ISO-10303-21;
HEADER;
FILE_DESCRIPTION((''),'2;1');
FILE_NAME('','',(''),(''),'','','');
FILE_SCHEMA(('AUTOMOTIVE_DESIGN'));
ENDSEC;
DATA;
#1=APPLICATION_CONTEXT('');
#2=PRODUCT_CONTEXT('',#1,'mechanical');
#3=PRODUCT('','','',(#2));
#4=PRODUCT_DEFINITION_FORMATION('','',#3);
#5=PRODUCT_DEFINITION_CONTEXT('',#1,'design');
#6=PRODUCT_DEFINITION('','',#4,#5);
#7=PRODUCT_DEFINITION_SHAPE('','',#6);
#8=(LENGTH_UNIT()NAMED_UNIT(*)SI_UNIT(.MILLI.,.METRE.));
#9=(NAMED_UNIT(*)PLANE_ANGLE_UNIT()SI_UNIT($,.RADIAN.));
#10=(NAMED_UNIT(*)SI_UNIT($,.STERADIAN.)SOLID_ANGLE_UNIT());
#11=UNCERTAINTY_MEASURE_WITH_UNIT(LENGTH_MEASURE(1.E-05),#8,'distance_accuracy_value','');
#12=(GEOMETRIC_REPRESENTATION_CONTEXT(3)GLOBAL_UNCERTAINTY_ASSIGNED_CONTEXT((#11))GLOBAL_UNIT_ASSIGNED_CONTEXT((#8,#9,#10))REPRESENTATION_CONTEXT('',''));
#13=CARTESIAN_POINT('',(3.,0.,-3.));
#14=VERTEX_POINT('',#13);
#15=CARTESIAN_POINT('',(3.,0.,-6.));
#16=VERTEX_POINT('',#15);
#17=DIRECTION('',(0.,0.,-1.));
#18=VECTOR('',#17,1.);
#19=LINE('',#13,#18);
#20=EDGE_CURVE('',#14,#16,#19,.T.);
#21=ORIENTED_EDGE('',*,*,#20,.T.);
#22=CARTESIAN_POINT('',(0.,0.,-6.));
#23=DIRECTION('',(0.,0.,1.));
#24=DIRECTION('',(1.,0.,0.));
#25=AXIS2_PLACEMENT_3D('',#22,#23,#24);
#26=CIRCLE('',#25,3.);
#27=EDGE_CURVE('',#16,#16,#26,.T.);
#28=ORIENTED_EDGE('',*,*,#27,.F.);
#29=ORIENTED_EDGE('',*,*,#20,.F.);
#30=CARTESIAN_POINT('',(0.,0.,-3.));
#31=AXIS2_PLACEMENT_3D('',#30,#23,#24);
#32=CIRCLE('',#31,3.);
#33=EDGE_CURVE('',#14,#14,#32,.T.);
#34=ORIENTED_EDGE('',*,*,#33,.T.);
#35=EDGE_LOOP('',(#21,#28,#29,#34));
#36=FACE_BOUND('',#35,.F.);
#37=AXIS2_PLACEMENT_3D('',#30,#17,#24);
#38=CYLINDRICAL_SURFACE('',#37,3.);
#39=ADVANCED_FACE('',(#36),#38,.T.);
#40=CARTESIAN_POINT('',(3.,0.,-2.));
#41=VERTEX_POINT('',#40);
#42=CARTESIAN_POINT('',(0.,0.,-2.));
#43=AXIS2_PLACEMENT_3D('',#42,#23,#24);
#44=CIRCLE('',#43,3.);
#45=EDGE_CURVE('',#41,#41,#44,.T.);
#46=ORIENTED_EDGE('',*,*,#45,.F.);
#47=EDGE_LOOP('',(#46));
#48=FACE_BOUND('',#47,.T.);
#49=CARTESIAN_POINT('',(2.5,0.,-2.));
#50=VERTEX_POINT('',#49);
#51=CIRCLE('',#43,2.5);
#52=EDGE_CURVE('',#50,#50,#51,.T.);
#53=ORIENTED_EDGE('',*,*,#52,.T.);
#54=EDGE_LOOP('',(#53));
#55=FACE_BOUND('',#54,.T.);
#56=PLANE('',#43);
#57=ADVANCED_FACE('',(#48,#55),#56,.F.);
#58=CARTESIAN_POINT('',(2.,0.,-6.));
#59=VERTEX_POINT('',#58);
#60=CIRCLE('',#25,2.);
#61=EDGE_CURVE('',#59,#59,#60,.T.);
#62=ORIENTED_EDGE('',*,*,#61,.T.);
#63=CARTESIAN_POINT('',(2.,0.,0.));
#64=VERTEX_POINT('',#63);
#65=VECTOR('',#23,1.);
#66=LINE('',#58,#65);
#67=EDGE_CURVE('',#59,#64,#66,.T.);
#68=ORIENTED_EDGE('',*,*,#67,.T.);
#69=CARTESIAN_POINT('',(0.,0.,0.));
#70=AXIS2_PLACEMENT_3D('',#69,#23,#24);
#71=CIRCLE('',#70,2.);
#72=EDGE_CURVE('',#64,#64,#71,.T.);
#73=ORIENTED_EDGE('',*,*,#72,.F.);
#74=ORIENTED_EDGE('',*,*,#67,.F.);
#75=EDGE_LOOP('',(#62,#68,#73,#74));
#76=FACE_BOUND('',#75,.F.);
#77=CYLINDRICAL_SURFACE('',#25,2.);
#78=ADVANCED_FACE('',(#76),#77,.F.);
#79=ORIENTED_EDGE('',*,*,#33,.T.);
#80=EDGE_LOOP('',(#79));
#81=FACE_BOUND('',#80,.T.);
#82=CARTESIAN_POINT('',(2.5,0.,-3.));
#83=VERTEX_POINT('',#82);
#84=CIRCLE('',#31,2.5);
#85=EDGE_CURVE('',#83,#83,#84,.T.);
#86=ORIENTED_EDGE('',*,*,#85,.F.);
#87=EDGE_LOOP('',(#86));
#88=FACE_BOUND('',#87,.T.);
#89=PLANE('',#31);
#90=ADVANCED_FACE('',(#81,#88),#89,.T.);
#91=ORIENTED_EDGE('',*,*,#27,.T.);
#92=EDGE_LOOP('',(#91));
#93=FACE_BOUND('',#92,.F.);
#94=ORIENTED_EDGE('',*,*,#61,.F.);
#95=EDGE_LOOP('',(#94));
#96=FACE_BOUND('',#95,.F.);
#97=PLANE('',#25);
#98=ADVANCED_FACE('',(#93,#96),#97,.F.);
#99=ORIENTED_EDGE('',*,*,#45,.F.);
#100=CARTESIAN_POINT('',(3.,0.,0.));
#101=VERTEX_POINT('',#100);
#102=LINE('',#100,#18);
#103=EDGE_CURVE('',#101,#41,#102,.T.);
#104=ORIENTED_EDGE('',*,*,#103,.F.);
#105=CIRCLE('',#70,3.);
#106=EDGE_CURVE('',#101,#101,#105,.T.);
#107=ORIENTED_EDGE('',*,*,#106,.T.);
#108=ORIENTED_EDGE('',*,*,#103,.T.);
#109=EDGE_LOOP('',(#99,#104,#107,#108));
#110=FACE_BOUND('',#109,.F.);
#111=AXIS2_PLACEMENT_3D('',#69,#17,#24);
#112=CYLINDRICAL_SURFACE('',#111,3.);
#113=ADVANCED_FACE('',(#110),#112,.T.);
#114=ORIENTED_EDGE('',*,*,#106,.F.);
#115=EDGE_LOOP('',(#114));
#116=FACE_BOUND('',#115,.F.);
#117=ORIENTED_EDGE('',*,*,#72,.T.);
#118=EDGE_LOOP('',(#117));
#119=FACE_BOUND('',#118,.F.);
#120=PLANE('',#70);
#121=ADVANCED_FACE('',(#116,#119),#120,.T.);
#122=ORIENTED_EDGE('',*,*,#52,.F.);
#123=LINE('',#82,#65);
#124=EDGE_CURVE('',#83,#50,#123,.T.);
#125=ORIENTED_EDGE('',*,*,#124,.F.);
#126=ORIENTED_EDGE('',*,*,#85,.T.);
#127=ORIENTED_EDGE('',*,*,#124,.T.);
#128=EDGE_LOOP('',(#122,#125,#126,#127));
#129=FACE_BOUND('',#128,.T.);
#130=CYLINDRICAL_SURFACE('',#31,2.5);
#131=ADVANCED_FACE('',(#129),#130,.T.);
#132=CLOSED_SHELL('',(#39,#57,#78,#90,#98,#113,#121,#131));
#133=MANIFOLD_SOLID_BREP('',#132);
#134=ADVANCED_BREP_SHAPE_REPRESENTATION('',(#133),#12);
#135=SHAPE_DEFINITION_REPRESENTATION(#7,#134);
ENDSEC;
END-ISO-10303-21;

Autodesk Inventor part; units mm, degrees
ref_plane "YZ Plane" through (0, 0, 0) normal (1, 0, 0) x (0, 1, 0)
ref_plane "XZ Plane" through (0, 0, 0) normal (0, 1, 0) x (-1, 0, 0)
ref_plane "XY Plane" through (0, 0, 0) normal (0, 0, 1) x (1, 0, 0)
sketch "Sketch1" plane through (0, 0, 0) normal (0, 1, 0) x (-1, 0, 0)
  line L0 (-1.5, 0) -> (-3, 0)
  line L1 (-3, 0) -> (-3, -2)
  line L2 (-3, -3) -> (-3, -6)
  line L3 (-3, -6) -> (-2, -6)
  line L4 (0, -7.2) -> (0, 1.2) projected
  line L5 (-3, -3) -> (-2.5, -3)
  line L6 (-2.5, -3) -> (-2.5, -2)
  line L7 (-2.5, -2) -> (-3, -2)
  line L8 (-2, -6) -> (-2, 0)
  point P0 (0, 0)
  dimension "d1" = 2
  dimension "d4" = 3
  dimension "d9" = 0.5
revolve "Revolution1" add sketch "Sketch1" angle 360 about axis through (0, 0, -10) along (0, 0, 1)
properties part number "M4-HEATINSERT"
